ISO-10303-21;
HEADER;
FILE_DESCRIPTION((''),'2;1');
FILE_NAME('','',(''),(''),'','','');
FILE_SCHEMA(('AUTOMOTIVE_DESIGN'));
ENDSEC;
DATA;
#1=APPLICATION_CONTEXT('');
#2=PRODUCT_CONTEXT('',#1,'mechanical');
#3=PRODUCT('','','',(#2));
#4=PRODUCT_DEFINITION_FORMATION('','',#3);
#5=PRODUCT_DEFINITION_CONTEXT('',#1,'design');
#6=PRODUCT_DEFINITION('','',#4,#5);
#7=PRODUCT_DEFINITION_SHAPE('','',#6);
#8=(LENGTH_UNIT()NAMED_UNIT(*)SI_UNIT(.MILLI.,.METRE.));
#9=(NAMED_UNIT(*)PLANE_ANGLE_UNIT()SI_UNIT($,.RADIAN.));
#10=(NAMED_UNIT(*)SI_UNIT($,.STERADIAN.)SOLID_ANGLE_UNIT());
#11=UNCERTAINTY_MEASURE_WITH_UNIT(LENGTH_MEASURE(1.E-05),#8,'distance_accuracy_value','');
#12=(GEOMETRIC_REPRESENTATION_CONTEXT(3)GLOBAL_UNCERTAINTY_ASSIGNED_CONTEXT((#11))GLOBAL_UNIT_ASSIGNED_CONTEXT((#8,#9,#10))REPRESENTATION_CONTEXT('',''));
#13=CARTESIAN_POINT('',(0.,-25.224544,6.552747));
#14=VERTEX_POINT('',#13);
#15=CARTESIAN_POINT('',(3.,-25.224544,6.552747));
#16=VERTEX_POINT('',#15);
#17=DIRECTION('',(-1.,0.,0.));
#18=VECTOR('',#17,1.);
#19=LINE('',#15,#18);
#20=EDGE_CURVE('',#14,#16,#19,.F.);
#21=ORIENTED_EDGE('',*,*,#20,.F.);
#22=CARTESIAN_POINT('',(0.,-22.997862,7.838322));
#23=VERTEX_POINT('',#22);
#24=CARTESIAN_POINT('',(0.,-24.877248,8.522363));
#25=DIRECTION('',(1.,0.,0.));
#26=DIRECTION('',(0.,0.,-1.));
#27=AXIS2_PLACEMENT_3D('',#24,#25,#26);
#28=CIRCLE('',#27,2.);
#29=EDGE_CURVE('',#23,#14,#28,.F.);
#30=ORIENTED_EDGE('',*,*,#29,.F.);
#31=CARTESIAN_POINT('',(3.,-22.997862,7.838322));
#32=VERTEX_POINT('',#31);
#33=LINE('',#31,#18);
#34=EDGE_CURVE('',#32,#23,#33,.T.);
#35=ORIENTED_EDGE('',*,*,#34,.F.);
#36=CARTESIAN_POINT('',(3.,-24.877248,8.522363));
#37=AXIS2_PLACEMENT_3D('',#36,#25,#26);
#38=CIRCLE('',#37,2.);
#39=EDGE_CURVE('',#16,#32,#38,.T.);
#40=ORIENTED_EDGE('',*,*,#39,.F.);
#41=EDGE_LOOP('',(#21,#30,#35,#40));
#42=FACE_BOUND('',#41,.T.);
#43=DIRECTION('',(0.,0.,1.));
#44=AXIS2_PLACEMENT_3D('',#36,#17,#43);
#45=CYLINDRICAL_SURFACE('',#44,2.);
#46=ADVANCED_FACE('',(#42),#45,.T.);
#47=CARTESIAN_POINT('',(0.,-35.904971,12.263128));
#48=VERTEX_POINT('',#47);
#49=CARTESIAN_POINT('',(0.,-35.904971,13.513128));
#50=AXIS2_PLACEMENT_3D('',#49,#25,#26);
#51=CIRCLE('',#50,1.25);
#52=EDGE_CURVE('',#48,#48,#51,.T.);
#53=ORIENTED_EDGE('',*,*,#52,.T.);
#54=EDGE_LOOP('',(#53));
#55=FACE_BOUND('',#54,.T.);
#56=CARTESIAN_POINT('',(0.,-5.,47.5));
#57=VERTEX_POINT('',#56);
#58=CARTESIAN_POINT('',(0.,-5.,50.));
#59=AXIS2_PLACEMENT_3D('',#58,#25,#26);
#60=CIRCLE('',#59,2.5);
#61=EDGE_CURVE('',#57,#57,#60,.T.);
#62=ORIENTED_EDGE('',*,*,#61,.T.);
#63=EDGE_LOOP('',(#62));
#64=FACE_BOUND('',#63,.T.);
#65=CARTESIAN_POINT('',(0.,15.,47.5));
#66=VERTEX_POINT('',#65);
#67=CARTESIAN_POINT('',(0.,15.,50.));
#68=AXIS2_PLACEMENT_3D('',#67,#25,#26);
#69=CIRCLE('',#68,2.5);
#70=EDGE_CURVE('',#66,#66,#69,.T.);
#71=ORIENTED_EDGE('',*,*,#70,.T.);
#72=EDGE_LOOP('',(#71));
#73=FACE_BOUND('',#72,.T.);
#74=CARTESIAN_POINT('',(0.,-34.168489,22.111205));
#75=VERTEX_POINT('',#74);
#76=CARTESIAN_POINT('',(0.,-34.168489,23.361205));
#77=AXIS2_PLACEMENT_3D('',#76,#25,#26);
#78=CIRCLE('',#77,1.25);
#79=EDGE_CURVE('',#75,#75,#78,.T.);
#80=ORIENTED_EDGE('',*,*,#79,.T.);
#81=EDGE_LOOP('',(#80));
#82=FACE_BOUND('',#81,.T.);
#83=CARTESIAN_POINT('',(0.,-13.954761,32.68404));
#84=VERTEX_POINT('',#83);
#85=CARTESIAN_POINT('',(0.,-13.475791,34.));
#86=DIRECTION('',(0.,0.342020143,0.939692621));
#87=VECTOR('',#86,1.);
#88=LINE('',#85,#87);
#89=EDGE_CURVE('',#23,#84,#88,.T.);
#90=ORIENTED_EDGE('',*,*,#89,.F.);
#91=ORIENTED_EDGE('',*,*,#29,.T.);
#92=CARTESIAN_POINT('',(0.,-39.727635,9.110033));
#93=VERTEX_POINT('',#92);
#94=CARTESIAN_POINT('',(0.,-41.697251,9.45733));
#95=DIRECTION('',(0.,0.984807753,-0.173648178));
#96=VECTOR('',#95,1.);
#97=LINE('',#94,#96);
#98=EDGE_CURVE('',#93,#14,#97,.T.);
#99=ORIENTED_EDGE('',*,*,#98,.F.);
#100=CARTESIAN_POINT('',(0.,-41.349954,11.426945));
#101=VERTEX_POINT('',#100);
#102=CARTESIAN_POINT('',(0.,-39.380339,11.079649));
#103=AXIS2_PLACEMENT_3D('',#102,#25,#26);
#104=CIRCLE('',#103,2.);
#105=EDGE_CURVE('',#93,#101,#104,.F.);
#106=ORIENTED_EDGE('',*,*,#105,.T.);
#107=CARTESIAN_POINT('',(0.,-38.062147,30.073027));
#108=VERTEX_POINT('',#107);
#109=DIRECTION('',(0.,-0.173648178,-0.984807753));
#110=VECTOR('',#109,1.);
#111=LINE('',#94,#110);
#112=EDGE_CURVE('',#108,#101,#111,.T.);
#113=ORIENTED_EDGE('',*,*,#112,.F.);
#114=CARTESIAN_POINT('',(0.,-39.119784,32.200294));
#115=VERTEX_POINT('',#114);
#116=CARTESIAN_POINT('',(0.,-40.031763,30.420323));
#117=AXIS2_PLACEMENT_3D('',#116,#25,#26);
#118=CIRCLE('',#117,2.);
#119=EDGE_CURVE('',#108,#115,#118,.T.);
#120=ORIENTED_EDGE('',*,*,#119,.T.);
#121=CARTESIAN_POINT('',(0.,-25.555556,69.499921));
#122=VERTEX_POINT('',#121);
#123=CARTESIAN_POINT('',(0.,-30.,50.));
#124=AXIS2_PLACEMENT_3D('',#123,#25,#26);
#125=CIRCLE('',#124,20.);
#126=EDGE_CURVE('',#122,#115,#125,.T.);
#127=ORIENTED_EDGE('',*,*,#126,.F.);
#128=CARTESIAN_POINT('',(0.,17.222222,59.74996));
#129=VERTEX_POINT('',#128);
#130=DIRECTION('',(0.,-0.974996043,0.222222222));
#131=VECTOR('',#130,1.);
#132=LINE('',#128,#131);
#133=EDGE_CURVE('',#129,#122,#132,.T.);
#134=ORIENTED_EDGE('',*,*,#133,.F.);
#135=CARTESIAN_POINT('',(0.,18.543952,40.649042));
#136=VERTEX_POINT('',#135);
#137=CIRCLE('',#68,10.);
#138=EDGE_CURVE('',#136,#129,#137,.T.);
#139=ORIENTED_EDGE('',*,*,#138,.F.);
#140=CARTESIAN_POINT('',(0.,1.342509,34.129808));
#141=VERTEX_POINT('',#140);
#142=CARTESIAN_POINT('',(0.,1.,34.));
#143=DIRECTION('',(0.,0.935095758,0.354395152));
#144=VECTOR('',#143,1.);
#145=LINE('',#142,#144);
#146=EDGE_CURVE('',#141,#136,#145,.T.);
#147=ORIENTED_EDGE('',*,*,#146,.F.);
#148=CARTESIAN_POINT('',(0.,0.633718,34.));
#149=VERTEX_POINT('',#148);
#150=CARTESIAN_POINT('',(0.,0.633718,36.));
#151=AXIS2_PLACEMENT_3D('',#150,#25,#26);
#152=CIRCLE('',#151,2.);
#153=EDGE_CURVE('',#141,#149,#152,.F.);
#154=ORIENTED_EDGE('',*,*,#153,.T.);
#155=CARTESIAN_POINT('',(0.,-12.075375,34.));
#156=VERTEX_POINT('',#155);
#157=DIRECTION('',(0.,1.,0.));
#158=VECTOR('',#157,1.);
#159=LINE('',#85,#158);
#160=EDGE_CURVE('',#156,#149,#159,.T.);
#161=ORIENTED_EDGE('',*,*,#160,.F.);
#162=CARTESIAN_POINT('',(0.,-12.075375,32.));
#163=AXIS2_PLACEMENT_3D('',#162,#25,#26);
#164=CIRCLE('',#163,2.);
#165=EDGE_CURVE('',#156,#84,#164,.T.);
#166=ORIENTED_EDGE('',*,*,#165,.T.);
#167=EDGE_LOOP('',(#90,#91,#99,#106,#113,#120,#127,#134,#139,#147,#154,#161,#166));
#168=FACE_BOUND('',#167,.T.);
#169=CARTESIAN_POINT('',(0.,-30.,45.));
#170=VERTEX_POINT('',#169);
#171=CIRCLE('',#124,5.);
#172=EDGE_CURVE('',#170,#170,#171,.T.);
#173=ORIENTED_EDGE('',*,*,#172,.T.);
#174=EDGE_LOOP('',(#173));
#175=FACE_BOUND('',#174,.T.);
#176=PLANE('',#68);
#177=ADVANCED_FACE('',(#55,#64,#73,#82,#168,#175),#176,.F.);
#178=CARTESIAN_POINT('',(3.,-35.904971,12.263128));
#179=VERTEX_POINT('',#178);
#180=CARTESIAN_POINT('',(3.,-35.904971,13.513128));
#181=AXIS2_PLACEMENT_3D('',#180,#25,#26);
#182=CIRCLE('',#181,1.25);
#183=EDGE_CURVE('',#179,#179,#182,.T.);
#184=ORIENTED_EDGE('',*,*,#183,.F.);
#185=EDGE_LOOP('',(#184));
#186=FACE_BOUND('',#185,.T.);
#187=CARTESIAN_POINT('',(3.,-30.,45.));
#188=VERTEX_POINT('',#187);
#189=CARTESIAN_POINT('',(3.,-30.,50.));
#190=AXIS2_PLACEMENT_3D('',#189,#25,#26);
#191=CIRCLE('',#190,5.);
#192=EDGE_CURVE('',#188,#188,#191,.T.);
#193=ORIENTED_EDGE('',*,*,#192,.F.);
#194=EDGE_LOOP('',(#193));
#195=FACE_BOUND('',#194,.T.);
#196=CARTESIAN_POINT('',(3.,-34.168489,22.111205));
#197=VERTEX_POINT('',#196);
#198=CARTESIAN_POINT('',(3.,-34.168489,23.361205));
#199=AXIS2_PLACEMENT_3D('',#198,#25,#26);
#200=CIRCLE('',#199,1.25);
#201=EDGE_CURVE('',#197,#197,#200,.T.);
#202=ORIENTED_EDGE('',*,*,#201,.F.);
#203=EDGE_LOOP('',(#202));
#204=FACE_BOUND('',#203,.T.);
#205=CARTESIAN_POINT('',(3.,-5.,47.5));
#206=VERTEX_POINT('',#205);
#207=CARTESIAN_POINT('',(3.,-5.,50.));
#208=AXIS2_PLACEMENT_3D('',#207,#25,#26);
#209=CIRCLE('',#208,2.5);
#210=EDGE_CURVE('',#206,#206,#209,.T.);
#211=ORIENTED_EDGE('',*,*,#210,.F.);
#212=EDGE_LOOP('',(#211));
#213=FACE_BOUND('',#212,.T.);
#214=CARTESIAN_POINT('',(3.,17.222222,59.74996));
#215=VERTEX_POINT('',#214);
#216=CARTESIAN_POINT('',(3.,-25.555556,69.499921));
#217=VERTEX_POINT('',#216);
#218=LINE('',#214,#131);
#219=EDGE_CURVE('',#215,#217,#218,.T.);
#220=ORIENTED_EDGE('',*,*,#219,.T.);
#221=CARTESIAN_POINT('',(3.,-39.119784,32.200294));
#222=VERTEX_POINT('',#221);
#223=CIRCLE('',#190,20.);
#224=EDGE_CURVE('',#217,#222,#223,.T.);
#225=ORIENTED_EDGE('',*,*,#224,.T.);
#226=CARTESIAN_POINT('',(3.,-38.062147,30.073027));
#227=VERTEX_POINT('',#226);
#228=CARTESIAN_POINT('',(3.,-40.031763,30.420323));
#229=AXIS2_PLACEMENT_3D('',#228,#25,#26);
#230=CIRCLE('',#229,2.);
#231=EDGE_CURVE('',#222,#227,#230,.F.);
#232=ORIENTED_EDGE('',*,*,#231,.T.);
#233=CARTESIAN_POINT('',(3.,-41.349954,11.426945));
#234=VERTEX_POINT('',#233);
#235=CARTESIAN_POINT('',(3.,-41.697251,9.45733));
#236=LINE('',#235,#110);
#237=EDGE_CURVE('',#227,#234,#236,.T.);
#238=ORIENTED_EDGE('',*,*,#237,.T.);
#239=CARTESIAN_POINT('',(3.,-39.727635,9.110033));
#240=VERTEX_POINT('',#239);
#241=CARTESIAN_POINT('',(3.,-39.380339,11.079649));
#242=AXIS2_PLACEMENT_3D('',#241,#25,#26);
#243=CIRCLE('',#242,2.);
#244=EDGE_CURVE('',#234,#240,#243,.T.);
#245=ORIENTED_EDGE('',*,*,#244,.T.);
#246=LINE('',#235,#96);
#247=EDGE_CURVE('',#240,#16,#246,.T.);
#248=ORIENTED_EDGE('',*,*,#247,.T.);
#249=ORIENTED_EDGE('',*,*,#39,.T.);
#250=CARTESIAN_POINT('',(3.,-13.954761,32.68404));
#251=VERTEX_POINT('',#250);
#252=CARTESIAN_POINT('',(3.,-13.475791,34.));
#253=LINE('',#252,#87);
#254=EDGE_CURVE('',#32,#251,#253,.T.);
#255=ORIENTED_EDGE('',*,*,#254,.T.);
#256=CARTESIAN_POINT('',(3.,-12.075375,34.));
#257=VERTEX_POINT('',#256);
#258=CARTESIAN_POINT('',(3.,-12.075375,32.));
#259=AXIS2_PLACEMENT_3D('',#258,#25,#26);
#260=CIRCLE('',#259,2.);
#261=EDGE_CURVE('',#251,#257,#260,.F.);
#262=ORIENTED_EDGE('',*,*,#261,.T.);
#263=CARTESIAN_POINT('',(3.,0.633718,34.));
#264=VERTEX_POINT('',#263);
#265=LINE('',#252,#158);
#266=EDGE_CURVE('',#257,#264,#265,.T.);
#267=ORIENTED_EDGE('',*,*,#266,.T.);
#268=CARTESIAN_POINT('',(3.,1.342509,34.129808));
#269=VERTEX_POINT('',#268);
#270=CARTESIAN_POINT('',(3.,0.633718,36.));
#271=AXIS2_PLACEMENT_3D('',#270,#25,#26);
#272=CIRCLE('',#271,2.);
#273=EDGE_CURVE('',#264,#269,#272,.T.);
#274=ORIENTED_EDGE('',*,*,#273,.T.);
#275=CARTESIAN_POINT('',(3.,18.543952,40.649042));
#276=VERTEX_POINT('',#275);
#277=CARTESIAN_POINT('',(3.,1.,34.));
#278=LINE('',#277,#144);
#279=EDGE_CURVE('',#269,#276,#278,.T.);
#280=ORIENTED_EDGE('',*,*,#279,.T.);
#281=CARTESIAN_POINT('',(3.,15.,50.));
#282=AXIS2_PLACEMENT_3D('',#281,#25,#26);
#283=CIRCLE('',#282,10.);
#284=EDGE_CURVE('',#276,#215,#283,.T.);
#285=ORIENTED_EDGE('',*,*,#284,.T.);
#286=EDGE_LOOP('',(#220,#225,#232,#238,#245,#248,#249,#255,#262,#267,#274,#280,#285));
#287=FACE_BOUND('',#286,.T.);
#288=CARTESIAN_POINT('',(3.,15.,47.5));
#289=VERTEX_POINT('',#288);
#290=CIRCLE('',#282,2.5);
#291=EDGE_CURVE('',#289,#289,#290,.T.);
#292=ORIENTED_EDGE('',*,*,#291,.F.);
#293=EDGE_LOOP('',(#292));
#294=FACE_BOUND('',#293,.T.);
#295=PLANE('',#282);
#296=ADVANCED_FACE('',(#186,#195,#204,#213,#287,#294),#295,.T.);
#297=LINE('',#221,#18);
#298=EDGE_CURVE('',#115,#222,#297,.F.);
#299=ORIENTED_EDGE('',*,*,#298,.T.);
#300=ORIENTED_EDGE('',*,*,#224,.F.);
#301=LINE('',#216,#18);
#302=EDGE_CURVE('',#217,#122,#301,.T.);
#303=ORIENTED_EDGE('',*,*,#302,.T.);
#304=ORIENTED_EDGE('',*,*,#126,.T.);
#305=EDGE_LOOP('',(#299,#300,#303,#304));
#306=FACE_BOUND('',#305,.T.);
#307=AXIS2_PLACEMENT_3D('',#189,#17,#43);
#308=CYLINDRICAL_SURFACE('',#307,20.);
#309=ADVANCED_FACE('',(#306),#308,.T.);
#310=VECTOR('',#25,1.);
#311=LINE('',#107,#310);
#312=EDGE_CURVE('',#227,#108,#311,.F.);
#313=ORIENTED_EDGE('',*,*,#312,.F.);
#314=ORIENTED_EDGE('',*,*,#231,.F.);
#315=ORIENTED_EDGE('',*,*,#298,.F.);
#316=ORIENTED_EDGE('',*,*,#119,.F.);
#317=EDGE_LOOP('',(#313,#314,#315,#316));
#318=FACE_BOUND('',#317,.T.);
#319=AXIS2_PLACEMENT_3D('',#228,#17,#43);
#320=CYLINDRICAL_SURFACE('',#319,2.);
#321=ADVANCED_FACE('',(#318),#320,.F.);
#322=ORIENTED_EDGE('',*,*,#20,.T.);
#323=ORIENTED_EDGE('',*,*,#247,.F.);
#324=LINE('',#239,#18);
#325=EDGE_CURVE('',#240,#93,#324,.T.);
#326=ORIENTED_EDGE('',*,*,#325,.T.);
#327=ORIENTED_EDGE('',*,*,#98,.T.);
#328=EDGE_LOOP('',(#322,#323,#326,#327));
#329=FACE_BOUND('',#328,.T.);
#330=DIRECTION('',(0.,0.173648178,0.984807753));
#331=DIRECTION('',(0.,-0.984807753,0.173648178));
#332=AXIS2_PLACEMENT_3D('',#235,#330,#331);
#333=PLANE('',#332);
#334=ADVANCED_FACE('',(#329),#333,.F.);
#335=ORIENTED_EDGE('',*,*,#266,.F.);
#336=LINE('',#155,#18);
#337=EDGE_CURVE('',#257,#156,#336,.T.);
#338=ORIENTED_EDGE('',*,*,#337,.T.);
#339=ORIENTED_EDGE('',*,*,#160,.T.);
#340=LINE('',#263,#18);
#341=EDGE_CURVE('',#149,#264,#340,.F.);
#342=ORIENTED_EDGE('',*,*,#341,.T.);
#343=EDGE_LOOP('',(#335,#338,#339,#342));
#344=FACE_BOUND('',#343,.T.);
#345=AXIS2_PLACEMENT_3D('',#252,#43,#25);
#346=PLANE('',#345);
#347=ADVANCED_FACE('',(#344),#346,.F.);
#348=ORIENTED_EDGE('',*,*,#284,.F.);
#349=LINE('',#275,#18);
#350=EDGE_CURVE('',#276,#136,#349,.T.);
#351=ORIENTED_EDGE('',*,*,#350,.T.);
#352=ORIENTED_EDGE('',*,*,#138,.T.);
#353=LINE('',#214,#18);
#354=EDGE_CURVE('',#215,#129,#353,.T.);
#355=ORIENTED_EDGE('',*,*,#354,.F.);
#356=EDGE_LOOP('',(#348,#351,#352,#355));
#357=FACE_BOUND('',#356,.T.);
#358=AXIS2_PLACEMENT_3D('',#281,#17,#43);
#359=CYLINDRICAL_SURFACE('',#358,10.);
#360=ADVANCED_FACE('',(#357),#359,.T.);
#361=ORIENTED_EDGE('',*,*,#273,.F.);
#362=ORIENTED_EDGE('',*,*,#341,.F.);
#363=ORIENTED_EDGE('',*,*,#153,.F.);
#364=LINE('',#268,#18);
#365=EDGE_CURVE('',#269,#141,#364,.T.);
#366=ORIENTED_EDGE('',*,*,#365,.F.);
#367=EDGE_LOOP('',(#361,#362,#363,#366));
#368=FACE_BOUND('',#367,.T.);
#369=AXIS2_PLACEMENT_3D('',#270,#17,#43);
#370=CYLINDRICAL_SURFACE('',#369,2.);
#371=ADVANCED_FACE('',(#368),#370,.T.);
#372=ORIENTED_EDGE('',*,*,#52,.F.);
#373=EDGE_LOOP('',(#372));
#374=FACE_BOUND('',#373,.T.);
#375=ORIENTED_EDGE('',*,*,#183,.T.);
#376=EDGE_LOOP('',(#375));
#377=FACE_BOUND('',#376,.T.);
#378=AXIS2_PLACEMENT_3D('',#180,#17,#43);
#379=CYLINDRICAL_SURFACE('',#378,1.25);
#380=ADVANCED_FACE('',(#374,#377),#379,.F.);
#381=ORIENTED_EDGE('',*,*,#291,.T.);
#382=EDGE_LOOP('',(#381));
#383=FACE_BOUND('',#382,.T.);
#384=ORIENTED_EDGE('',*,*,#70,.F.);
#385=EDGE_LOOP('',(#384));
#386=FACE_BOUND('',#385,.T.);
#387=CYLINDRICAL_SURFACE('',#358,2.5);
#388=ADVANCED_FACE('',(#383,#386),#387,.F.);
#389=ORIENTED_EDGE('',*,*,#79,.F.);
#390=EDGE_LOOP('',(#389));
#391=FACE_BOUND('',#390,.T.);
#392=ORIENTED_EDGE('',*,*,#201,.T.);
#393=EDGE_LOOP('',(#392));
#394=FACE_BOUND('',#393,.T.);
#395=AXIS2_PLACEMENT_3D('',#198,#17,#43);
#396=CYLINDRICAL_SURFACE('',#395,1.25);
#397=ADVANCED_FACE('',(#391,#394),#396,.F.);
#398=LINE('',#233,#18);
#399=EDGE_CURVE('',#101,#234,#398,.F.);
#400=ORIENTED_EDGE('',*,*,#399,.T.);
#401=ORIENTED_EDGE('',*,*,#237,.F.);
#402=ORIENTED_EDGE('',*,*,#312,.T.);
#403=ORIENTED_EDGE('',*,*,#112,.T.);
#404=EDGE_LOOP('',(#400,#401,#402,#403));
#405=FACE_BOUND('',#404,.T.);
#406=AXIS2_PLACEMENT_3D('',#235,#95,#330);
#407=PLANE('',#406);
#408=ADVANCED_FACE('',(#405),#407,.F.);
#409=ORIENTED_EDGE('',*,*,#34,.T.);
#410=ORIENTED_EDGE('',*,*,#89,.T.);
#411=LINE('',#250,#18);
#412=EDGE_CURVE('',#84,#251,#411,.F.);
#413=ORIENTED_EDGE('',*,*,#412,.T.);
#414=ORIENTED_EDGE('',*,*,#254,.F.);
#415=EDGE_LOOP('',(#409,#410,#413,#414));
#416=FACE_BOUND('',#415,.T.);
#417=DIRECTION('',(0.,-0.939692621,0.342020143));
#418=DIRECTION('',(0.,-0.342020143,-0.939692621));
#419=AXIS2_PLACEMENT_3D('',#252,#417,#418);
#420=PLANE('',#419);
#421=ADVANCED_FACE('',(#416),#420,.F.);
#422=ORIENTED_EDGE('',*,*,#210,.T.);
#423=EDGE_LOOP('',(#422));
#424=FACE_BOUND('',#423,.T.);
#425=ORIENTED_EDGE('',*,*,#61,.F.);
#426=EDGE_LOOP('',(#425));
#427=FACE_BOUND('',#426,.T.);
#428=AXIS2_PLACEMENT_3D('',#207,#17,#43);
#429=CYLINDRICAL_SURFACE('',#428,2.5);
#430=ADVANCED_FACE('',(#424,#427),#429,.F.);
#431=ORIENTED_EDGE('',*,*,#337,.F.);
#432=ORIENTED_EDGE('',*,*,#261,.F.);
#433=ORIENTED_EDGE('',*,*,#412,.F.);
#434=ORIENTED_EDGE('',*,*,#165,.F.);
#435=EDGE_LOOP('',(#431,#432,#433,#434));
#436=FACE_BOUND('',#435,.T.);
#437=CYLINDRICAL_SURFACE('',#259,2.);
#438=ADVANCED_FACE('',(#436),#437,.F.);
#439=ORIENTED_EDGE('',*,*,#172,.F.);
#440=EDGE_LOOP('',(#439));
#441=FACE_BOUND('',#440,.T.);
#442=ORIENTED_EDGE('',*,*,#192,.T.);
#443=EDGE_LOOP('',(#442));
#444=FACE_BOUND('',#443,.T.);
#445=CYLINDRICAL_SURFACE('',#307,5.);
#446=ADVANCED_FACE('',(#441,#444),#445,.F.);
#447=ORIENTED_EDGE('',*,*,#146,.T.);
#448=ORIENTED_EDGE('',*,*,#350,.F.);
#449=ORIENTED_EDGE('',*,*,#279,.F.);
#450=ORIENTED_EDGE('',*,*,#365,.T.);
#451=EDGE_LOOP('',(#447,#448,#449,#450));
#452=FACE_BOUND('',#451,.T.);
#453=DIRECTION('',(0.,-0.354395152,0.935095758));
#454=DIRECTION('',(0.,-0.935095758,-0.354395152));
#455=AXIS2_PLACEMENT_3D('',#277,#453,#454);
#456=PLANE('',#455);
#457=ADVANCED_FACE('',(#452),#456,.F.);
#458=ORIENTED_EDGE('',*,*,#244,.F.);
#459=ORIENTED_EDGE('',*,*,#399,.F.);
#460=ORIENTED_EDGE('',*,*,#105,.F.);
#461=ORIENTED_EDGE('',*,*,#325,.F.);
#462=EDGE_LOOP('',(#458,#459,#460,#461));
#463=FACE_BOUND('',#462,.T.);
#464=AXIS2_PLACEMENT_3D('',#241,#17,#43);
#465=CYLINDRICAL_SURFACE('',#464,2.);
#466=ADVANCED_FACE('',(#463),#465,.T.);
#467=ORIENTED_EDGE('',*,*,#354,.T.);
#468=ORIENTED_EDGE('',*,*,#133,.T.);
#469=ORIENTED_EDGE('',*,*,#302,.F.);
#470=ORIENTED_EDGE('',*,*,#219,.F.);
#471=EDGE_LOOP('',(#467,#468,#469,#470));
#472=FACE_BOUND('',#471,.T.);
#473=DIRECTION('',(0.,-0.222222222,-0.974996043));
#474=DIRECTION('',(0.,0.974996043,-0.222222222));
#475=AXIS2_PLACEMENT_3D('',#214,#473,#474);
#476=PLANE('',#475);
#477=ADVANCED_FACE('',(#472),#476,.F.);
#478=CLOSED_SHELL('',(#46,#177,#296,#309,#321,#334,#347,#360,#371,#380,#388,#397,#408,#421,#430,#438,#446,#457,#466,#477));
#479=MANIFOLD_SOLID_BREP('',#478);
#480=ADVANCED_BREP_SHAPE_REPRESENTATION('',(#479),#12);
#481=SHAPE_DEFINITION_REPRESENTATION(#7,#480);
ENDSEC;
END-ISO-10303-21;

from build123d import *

# Parameters (mm, degrees)
SKETCH1_R           = 5
SKETCH1_R_2         = 2.5
SKETCH1_R_3         = 1.25
BOSS_EXTRUDE1_DEPTH = 3
FILLET1_R           = 2


with BuildPart() as part:
    # Sketch1 → Boss-Extrude1 (new body)
    with BuildSketch(Plane(origin=(0, 0, 0), x_dir=(0, 0, -1), z_dir=(1, 0, 0))):
        with BuildLine():
            Line((-59.74996043, 17.222222222), (-69.499920861, -25.555555556))
            ThreePointArc((-69.499920861, -25.555555556), (-56.144118615, -49.032861226), (-31.582037919, -37.796067776))
            Line((-31.582037919, -37.796067776), (-9.457329759, -41.697250765))
            Line((-9.457329759, -41.697250765), (-6.26133088, -23.571840424))
            Line((-6.26133088, -23.571840424), (-34, -13.475790526))
            Line((-34, -13.475790526), (-34, 1))
            Line((-34, 1), (-40.649042421, 18.543951518))
            ThreePointArc((-40.649042421, 18.543951518), (-50.690320869, 24.9761444), (-59.74996043, 17.222222222))
        make_face()
        with Locations((-50, -30)):
            Circle(SKETCH1_R, mode=Mode.SUBTRACT)
        with Locations((-50, 15)):
            Circle(SKETCH1_R_2, mode=Mode.SUBTRACT)
        with Locations((-50, -5)):
            Circle(SKETCH1_R_2, mode=Mode.SUBTRACT)
        with Locations((-23.361205166, -34.168489335)):
            Circle(SKETCH1_R_3, mode=Mode.SUBTRACT)
        with Locations((-13.513127636, -35.904971111)):
            Circle(SKETCH1_R_3, mode=Mode.SUBTRACT)
    extrude(amount=BOSS_EXTRUDE1_DEPTH)

    # Fillet1
    fillet1_edges = [part.edges().sort_by_distance(p)[0] for p in [
        (1.5, 1, 34),
        (1.5, -13.475790526, 34),
        (1.5, -23.571840424, 6.26133088),
        (1.5, -41.697250765, 9.457329759),
        (1.5, -37.796067776, 31.582037919),
    ]]
    fillet(fillet1_edges, radius=FILLET1_R)


solid = part.part
